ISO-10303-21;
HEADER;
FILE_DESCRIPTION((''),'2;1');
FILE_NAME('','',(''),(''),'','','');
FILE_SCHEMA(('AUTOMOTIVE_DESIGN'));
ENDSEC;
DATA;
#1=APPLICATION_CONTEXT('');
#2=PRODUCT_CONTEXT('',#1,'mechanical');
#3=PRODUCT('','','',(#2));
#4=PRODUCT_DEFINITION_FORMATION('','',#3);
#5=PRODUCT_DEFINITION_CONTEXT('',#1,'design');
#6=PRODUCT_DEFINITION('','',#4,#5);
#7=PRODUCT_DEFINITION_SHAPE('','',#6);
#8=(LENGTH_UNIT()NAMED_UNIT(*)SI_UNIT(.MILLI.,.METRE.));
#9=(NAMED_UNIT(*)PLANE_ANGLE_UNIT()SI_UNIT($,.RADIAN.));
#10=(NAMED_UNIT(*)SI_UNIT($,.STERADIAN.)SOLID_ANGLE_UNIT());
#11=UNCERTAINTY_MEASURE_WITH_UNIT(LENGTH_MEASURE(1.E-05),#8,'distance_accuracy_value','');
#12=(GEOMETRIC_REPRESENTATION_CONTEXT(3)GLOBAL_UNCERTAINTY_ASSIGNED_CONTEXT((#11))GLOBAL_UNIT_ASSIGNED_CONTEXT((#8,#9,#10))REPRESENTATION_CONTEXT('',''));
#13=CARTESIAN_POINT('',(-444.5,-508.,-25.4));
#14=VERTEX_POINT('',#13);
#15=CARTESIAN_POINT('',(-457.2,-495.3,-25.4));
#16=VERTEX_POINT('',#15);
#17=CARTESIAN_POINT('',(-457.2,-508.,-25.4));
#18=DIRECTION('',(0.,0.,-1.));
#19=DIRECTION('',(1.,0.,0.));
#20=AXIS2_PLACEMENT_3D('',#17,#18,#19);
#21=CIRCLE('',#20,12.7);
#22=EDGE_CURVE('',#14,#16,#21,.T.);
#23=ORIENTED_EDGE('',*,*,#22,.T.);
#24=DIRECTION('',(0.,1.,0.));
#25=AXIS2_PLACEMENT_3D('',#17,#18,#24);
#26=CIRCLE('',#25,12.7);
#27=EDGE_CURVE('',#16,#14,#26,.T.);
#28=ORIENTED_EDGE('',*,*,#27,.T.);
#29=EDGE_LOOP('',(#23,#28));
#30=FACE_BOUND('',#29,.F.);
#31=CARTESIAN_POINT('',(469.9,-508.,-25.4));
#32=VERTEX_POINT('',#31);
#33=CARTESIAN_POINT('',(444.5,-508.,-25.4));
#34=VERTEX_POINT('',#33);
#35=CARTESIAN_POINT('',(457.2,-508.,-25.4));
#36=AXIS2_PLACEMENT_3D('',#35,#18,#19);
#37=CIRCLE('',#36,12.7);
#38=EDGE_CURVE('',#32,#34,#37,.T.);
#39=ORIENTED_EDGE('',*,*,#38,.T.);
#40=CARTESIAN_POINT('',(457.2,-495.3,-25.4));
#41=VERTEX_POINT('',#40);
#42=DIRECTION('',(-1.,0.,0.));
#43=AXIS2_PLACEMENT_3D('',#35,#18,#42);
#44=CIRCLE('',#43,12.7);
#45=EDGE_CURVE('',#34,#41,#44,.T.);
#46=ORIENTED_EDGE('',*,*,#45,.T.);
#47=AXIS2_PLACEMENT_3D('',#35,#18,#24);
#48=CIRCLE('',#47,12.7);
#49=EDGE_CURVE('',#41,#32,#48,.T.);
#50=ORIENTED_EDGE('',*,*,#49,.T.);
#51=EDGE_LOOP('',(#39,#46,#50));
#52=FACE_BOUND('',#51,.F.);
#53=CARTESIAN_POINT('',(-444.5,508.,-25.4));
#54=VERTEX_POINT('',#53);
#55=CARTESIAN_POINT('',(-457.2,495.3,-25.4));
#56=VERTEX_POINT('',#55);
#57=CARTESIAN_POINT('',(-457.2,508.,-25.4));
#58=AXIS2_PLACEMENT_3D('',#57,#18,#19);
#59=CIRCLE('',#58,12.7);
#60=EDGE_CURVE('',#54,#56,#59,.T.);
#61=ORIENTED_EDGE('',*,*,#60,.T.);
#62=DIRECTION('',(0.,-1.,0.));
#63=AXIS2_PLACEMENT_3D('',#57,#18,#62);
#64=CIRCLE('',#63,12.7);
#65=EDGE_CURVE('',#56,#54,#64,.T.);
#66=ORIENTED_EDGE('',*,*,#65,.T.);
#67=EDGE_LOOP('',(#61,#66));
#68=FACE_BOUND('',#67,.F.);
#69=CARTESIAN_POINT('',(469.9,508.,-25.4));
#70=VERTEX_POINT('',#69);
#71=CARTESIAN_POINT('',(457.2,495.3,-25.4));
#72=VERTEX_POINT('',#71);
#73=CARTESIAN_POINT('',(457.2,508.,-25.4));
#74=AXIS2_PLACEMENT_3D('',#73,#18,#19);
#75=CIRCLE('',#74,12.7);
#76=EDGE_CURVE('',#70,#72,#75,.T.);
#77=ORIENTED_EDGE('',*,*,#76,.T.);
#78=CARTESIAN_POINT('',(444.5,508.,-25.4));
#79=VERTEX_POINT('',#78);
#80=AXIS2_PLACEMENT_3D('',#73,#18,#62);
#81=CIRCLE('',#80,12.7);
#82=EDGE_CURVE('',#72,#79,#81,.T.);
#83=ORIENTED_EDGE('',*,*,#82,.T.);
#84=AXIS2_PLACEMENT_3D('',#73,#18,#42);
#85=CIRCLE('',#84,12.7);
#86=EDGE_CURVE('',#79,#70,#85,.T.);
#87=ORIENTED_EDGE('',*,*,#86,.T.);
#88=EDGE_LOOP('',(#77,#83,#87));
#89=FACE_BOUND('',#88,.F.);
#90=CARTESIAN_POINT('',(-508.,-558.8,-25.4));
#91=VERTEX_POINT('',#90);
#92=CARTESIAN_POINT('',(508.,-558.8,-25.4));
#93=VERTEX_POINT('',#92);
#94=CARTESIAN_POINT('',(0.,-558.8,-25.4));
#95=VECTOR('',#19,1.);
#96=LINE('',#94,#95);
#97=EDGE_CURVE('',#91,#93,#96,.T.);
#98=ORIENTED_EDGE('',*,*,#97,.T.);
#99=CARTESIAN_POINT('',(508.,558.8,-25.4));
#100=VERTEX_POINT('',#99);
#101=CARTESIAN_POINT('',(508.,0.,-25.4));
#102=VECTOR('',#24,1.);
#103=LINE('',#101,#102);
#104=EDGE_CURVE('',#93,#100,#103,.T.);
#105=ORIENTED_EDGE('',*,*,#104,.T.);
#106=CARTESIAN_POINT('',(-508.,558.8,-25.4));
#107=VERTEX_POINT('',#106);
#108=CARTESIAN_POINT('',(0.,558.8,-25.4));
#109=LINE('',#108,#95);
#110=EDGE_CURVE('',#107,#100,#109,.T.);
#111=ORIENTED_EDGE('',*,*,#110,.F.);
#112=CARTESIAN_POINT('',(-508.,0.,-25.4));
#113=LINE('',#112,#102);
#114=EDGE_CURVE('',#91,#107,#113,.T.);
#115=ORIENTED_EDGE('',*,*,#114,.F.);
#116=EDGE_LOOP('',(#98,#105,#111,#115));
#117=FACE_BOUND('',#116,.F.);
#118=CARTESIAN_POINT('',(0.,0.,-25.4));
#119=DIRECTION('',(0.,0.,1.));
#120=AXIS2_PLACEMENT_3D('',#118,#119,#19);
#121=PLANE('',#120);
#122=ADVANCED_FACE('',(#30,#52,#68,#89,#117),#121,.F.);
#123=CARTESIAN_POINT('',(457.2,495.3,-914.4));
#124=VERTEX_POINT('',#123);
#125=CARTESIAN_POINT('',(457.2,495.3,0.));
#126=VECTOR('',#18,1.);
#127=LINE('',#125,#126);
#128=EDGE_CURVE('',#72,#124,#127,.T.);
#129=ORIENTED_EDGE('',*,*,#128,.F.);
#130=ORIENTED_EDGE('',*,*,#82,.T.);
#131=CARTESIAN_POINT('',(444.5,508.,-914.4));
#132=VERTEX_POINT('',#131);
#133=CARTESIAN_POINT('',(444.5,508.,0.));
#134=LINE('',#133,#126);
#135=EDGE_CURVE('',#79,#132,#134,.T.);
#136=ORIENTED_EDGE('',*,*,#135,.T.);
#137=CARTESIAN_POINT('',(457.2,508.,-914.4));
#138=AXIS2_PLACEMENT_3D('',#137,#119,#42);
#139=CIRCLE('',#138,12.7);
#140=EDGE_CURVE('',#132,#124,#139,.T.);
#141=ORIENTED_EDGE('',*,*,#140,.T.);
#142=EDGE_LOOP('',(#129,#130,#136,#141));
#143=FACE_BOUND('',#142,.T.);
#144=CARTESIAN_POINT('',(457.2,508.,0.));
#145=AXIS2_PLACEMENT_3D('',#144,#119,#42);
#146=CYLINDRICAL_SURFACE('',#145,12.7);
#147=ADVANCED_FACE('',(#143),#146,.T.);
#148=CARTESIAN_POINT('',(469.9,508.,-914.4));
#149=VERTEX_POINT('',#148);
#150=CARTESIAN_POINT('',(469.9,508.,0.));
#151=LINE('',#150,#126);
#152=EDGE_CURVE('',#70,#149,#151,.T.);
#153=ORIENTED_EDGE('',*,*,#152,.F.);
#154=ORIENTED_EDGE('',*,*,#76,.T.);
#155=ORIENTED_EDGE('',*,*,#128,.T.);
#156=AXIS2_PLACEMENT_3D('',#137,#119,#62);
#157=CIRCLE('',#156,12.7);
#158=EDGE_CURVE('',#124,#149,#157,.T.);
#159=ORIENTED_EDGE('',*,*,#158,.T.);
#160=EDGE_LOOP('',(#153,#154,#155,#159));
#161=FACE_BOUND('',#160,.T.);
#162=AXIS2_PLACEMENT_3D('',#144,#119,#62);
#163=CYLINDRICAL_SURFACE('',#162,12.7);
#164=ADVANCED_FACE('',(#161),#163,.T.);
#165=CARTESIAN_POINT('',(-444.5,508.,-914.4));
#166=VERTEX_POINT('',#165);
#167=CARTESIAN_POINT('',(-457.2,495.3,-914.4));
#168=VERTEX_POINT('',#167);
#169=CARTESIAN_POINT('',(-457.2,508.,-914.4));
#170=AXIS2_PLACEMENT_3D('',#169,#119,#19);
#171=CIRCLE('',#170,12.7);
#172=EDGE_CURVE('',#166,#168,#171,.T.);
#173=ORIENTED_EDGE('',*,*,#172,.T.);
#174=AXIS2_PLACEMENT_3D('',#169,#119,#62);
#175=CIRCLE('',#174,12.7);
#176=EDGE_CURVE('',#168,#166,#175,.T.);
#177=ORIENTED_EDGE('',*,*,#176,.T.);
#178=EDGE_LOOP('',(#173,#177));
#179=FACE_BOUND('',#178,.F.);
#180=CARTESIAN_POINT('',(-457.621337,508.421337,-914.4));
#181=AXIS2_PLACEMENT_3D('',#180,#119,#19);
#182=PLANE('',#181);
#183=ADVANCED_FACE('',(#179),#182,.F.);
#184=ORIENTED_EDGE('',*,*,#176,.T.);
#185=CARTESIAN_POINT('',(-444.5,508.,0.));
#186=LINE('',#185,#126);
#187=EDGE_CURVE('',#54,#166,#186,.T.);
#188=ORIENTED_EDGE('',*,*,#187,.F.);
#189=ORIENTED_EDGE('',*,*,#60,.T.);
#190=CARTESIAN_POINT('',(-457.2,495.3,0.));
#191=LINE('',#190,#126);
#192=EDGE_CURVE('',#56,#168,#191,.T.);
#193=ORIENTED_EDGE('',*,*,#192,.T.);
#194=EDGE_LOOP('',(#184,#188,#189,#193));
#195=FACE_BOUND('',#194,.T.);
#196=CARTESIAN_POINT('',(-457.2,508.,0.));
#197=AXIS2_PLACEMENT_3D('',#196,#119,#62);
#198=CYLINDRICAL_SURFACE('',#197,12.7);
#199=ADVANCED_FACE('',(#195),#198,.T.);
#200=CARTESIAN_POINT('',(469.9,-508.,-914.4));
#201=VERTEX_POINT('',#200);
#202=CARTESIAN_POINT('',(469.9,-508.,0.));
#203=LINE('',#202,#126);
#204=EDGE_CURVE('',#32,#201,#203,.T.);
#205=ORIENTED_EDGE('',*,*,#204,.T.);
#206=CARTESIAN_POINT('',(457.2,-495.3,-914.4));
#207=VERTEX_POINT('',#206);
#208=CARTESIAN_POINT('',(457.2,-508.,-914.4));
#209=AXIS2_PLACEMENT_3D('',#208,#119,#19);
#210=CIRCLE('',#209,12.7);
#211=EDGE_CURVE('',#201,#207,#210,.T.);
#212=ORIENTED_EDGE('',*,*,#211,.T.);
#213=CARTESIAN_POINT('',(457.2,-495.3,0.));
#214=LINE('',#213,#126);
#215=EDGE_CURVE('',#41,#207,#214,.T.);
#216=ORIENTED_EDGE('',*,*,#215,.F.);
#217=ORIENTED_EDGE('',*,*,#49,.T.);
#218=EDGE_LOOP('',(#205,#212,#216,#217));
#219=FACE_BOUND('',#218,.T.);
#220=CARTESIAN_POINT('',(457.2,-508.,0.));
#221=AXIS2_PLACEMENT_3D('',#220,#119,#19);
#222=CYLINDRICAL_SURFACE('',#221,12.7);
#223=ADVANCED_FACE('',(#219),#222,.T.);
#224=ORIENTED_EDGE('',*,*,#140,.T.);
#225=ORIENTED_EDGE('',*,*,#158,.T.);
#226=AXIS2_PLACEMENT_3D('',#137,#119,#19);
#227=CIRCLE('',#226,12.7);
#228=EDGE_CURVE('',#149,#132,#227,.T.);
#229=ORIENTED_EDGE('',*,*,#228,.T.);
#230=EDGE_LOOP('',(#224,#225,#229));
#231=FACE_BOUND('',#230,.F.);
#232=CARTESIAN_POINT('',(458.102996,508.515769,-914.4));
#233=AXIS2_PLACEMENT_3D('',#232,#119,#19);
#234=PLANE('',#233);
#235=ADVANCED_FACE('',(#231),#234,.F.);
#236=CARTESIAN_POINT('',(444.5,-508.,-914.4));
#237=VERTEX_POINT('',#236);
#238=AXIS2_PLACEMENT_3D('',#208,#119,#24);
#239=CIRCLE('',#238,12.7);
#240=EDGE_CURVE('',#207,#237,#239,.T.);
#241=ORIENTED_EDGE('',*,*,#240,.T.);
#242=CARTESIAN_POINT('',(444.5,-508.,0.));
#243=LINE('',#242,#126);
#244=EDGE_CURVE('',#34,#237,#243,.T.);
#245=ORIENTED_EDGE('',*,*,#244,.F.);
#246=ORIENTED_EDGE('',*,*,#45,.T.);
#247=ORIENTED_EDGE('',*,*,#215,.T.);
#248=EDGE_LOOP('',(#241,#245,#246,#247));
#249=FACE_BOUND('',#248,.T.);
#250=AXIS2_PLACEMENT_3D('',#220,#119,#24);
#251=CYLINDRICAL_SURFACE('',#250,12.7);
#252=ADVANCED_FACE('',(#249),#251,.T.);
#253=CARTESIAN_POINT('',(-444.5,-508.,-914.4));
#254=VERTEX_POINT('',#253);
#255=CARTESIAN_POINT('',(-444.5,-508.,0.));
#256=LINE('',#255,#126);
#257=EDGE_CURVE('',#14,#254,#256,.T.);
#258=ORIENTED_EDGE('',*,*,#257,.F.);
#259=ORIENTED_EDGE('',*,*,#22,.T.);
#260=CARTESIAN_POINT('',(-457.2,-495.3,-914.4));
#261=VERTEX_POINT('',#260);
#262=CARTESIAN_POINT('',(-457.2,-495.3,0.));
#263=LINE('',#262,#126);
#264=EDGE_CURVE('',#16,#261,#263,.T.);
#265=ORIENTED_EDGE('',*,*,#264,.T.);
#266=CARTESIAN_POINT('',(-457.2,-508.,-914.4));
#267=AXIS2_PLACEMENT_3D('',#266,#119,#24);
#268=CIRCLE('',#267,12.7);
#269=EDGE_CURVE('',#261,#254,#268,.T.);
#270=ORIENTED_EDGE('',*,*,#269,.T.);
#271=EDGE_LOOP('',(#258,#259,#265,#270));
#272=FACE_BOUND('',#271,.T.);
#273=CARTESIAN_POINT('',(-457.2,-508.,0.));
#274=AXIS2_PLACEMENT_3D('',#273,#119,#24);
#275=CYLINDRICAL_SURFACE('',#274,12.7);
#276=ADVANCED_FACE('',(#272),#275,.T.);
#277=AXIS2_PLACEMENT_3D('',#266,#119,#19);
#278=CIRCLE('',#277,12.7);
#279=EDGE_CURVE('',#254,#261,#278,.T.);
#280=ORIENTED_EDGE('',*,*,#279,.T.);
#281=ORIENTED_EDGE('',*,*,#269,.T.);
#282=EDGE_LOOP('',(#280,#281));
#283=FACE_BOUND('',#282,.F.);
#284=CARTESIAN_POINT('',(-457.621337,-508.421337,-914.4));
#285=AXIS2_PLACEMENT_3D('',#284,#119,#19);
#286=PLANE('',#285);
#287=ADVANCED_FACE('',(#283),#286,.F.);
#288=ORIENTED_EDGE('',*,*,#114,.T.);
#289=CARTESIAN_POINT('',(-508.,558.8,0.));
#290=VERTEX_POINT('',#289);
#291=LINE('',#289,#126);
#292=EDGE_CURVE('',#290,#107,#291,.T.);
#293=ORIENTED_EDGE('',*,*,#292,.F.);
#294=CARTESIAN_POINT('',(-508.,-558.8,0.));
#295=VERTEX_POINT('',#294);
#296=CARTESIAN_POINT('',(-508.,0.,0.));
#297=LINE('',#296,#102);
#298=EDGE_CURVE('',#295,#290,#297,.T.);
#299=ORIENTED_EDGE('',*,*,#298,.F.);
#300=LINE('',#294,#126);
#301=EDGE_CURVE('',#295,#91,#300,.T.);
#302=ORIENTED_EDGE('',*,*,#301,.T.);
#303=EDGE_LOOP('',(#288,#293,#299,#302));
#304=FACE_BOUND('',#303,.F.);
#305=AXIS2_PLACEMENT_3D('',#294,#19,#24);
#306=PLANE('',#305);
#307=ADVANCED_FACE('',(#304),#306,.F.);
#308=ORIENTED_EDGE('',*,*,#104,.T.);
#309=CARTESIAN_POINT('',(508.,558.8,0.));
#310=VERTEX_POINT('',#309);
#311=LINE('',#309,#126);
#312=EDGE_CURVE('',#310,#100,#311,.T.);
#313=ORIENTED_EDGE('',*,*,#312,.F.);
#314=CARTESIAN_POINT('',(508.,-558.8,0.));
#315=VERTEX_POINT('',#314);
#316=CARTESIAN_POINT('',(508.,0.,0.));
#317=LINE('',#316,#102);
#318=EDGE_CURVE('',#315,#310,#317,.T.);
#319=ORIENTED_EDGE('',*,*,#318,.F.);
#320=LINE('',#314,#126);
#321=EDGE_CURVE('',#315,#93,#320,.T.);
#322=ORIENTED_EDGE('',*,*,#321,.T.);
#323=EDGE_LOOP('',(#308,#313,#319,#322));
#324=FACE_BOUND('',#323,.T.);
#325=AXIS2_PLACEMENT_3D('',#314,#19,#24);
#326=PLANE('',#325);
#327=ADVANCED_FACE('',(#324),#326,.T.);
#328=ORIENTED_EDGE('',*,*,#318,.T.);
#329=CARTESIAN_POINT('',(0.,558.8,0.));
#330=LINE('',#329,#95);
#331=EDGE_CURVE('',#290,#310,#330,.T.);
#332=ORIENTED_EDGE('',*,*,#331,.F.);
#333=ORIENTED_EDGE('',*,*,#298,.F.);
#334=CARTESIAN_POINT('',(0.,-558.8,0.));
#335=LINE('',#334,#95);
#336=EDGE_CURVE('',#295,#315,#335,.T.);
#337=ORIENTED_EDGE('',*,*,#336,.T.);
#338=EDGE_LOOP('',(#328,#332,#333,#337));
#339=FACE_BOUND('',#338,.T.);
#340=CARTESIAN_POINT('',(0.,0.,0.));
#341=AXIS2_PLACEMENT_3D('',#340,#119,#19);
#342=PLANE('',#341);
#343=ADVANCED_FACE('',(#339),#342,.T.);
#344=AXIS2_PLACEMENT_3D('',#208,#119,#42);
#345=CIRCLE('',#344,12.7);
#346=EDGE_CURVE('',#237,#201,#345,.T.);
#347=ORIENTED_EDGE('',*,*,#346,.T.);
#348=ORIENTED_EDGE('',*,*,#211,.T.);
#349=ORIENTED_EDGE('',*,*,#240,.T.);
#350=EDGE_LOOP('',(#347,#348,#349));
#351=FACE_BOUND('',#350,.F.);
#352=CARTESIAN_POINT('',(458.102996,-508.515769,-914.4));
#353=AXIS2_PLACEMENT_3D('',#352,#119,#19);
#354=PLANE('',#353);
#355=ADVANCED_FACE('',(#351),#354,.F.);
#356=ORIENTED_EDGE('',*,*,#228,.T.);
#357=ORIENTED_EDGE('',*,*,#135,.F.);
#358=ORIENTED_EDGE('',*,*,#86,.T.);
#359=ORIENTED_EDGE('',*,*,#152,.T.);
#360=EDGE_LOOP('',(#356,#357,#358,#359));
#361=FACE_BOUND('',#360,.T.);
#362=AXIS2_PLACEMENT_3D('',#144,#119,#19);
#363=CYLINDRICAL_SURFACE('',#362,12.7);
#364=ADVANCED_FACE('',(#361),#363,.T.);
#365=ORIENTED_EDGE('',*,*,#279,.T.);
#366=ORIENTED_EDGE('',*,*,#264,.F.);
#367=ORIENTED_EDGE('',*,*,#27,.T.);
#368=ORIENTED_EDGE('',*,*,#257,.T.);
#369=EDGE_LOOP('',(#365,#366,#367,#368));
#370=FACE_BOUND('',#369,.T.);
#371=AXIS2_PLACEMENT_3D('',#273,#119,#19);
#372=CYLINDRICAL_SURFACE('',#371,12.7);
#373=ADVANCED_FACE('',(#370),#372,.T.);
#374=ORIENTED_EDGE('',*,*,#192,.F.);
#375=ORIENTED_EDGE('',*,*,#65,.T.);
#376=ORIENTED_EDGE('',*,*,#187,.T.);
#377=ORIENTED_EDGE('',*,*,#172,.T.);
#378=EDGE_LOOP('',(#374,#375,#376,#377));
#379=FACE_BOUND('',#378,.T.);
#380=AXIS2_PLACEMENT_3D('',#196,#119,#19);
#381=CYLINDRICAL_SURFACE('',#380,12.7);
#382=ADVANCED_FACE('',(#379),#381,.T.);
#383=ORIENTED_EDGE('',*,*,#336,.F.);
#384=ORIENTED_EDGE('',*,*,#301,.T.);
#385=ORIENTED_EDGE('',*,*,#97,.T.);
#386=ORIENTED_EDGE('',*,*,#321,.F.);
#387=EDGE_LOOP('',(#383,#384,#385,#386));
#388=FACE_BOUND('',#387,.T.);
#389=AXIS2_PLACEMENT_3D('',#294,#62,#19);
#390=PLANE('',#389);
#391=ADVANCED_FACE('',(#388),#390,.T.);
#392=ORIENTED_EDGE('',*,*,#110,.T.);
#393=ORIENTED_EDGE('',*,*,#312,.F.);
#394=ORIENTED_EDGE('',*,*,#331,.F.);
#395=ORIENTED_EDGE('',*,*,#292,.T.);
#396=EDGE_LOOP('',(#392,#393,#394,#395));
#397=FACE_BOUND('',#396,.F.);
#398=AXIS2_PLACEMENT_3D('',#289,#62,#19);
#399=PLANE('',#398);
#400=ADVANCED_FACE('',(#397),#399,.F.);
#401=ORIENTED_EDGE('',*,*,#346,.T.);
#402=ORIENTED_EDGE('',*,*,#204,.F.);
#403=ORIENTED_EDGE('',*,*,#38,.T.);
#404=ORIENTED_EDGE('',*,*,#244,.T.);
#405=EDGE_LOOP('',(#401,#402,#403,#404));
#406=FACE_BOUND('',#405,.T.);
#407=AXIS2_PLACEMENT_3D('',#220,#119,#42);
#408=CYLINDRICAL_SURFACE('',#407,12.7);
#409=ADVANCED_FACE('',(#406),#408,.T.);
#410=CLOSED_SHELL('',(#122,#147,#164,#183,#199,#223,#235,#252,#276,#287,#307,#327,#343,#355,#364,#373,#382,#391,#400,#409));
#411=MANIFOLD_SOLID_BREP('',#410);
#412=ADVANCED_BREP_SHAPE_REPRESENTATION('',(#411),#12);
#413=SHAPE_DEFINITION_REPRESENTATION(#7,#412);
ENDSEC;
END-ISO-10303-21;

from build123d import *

# Parameters (mm, degrees)
F0_W     = 1016
F0_H     = 1117.6
F1_DEPTH = 25.4
F2_DEPTH = 914.4


with BuildPart() as f1:
    # F0 (on Top) → F1 (new body)
    with BuildSketch(Plane.XY):
        Rectangle(F0_W, F0_H)
        with BuildLine():
            ThreePointArc((-457.2, 495.3), (-466.1802561211, 516.9802561211), (-444.5, 508))
            Line((-444.5, 508), (444.5, 508))
            ThreePointArc((444.5, 508), (457.2, 520.7), (469.9, 508))
            ThreePointArc((469.9, 508), (466.1802561211, 499.0197438789), (457.2, 495.3))
            Line((457.2, 495.3), (457.2, -495.3))
            ThreePointArc((457.2, -495.3), (466.1802561211, -499.0197438789), (469.9, -508))
            ThreePointArc((469.9, -508), (457.2, -520.7), (444.5, -508))
            Line((444.5, -508), (-444.5, -508))
            ThreePointArc((-444.5, -508), (-466.1802561211, -516.9802561211), (-457.2, -495.3))
            Line((-457.2, -495.3), (-457.2, 495.3))
        make_face(mode=Mode.SUBTRACT)
        with BuildLine():
            Line((444.5, 508), (-444.5, 508))
            ThreePointArc((-444.5, 508), (-448.2197438789, 499.0197438789), (-457.2, 495.3))
            Line((-457.2, 495.3), (-457.2, -495.3))
            ThreePointArc((-457.2, -495.3), (-448.2197438789, -499.0197438789), (-444.5, -508))
            Line((-444.5, -508), (444.5, -508))
            ThreePointArc((444.5, -508), (448.2197438789, -499.0197438789), (457.2, -495.3))
            Line((457.2, -495.3), (457.2, 495.3))
            ThreePointArc((457.2, 495.3), (448.2197438789, 499.0197438789), (444.5, 508))
        make_face()
    extrude(amount=-F1_DEPTH)

    # F0 (on Top) → F2 (join)
    with BuildSketch(Plane.XY):
        with BuildLine():
            Line((-457.2, -508), (-457.2, -495.3))
            ThreePointArc((-457.2, -495.3), (-466.1802561211, -516.9802561211), (-444.5, -508))
            Line((-444.5, -508), (-457.2, -508))
        make_face()
        with BuildLine():
            ThreePointArc((-444.5, -508), (-448.2197438789, -499.0197438789), (-457.2, -495.3))
            Line((-457.2, -495.3), (-457.2, -508))
            Line((-457.2, -508), (-444.5, -508))
        make_face()
        with BuildLine():
            ThreePointArc((469.9, -508), (466.1802561211, -499.0197438789), (457.2, -495.3))
            Line((457.2, -495.3), (457.2, -508))
            Line((457.2, -508), (444.5, -508))
            ThreePointArc((444.5, -508), (457.2, -520.7), (469.9, -508))
        make_face()
        with BuildLine():
            Line((457.2, -508), (457.2, -495.3))
            ThreePointArc((457.2, -495.3), (448.2197438789, -499.0197438789), (444.5, -508))
            Line((444.5, -508), (457.2, -508))
        make_face()
        with BuildLine():
            ThreePointArc((469.9, 508), (457.2, 520.7), (444.5, 508))
            Line((444.5, 508), (457.2, 508))
            Line((457.2, 508), (457.2, 495.3))
            ThreePointArc((457.2, 495.3), (466.1802561211, 499.0197438789), (469.9, 508))
        make_face()
        with BuildLine():
            Line((457.2, 508), (444.5, 508))
            ThreePointArc((444.5, 508), (448.2197438789, 499.0197438789), (457.2, 495.3))
            Line((457.2, 495.3), (457.2, 508))
        make_face()
        with BuildLine():
            Line((-457.2, 508), (-444.5, 508))
            ThreePointArc((-444.5, 508), (-466.1802561211, 516.9802561211), (-457.2, 495.3))
            Line((-457.2, 495.3), (-457.2, 508))
        make_face()
        with BuildLine():
            ThreePointArc((-457.2, 495.3), (-448.2197438789, 499.0197438789), (-444.5, 508))
            Line((-444.5, 508), (-457.2, 508))
            Line((-457.2, 508), (-457.2, 495.3))
        make_face()
    extrude(amount=-F2_DEPTH)


solid = f1.part
